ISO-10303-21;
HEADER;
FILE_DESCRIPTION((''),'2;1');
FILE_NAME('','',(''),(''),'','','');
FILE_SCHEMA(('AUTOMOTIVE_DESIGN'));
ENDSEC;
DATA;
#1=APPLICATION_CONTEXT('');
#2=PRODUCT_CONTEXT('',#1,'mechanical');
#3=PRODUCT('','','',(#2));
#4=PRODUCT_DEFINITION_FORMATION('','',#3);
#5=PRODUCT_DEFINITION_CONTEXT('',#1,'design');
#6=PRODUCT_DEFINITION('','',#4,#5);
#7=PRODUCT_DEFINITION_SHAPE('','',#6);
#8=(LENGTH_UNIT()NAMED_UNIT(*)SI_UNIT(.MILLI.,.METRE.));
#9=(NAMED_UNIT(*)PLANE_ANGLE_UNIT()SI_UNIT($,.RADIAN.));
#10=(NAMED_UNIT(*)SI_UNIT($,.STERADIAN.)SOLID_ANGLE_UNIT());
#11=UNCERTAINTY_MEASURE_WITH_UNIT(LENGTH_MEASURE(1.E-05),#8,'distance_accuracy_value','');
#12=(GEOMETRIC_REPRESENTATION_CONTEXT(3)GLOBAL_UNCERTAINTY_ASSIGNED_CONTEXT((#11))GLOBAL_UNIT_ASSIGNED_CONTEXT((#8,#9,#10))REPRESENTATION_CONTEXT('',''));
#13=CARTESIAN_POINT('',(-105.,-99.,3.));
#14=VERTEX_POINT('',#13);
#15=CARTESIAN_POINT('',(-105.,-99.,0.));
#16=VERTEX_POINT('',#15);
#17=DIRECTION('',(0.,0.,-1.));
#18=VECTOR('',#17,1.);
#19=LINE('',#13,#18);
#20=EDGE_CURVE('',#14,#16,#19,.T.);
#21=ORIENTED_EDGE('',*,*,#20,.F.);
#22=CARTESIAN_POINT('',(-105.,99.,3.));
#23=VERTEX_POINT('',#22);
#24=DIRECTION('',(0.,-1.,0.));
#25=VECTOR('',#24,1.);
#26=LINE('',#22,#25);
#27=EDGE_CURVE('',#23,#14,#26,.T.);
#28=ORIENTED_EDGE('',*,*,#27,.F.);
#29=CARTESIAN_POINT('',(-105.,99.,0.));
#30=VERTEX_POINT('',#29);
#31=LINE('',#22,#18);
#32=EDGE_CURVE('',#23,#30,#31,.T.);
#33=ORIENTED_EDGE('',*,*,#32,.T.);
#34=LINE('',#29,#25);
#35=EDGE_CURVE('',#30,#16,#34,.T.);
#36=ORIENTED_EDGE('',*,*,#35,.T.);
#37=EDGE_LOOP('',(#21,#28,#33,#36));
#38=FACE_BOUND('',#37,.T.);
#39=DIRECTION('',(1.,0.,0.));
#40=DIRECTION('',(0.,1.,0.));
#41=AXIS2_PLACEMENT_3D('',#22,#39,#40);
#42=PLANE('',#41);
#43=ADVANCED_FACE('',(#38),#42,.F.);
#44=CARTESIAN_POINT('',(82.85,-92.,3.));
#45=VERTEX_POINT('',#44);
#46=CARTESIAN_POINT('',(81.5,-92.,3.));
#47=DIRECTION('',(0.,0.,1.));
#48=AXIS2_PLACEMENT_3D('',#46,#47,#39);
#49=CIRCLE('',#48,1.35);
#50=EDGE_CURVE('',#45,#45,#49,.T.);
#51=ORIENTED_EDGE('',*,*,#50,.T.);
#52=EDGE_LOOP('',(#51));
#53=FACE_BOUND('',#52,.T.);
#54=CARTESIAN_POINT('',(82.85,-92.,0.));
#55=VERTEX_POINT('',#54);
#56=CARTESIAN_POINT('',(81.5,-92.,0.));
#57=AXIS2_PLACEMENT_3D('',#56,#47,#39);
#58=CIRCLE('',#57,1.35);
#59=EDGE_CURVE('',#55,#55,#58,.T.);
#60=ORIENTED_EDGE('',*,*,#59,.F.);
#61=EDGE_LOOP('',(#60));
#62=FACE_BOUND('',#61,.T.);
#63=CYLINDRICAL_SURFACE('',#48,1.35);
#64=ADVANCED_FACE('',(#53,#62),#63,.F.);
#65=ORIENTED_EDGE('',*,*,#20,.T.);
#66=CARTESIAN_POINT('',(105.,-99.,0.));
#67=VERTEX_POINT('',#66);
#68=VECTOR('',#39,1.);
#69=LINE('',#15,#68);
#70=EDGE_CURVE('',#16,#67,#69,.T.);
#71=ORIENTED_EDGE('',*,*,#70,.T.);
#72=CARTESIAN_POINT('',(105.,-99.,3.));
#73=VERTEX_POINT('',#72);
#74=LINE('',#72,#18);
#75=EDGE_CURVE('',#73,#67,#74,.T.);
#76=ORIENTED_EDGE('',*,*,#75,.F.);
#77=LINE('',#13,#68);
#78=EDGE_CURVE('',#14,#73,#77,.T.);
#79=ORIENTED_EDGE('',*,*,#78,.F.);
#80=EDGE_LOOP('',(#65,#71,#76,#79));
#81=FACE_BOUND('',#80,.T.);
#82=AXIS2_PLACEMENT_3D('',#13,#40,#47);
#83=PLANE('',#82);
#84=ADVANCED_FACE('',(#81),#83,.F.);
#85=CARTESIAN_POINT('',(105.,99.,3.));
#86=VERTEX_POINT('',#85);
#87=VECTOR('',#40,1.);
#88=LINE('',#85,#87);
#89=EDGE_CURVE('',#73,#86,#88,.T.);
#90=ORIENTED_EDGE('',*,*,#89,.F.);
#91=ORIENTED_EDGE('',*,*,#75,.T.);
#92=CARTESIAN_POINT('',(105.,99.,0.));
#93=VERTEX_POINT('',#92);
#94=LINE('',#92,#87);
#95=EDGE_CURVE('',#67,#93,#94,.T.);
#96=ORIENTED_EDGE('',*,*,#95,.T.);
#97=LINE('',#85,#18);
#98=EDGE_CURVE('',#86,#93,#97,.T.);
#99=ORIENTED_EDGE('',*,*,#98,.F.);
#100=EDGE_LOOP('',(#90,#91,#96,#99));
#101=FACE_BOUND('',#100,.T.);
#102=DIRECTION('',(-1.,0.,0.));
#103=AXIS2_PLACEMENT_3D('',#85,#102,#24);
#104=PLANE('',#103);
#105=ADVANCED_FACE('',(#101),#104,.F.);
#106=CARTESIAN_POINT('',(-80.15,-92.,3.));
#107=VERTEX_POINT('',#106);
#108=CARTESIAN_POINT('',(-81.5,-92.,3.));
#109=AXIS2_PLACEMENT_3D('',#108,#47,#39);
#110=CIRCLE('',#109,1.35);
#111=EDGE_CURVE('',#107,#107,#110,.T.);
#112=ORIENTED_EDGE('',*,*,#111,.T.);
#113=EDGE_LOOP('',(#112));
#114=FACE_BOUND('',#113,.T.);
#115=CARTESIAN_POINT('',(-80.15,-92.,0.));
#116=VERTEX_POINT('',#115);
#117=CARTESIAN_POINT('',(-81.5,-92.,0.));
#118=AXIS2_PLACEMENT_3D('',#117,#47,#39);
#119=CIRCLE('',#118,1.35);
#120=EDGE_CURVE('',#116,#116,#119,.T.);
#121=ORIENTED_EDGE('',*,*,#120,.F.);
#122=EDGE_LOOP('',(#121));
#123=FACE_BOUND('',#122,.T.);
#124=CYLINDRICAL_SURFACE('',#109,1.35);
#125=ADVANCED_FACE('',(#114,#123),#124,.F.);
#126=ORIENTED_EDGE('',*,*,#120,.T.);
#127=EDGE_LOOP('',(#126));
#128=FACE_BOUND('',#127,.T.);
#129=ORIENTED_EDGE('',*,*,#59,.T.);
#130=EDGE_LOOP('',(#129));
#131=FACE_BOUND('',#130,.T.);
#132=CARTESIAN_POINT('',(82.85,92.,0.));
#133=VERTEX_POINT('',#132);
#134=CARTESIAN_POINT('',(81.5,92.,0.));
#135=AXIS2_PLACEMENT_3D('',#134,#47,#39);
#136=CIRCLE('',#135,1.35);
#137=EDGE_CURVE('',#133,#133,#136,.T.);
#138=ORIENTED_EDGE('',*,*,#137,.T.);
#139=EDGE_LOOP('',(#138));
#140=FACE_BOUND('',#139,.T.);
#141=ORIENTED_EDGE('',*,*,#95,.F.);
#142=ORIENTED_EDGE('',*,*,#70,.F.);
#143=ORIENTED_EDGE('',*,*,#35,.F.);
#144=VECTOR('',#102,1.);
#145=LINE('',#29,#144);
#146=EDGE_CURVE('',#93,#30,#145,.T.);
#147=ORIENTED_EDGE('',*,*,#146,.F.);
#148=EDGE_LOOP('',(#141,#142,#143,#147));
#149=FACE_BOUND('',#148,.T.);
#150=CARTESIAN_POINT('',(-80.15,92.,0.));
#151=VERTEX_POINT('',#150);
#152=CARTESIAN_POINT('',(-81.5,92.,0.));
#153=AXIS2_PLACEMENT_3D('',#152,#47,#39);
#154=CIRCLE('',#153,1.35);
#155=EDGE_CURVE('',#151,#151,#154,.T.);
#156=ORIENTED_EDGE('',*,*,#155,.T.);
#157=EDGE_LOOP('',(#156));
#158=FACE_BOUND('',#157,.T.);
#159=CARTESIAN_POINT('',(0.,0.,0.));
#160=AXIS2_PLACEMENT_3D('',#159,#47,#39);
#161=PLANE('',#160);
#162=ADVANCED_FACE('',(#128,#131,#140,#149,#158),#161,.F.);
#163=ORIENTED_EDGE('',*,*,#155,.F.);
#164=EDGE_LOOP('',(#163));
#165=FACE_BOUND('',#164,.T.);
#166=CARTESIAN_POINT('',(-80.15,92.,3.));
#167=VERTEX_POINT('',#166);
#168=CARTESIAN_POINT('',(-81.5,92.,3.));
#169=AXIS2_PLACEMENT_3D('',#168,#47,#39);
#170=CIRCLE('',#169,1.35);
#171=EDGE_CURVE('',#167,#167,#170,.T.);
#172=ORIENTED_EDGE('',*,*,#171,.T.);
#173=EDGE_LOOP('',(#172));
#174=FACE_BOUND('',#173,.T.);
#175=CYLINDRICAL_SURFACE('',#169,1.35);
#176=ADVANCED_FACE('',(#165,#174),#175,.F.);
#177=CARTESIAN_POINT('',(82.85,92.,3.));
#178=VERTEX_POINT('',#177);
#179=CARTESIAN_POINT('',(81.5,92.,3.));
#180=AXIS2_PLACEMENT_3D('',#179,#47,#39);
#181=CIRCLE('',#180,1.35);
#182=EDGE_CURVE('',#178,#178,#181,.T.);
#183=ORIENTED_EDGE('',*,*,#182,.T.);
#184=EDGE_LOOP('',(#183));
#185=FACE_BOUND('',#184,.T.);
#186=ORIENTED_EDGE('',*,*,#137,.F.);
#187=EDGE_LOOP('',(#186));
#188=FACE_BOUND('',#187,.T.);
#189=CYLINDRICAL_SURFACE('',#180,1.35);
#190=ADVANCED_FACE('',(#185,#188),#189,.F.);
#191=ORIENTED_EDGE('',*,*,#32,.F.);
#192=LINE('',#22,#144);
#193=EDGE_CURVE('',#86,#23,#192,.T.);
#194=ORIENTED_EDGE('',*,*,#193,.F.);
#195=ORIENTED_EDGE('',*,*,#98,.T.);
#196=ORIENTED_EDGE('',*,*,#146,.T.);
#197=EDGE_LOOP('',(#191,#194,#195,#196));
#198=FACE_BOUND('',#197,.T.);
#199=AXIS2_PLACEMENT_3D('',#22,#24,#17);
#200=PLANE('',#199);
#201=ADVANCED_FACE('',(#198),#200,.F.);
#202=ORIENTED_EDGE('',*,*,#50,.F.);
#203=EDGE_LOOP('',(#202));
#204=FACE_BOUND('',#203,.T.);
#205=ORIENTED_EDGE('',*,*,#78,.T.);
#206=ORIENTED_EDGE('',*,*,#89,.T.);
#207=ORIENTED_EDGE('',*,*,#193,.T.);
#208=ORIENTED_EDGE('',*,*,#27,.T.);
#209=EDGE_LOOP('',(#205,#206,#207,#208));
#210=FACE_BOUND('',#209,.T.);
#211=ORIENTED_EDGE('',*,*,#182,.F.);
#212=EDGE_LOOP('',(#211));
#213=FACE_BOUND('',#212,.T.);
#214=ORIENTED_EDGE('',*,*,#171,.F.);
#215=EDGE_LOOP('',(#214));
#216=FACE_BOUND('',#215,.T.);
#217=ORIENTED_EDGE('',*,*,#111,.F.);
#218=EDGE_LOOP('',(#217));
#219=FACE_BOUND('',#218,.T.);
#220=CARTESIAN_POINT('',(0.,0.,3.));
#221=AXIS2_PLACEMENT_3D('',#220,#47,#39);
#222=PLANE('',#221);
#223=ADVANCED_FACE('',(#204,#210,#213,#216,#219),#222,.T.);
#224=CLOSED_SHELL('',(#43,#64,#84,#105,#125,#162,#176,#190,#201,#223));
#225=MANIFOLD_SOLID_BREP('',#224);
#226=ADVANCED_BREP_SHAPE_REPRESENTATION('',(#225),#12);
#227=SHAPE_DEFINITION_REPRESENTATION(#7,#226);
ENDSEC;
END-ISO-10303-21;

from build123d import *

# Parameters (mm, degrees)
ESQUISSE1_W            = 210
ESQUISSE1_H            = 198
BOSS_EXTRU_1_DEPTH     = 3
D_GAGEMENT_M2_51_D     = 2.7
D_GAGEMENT_M2_51_DEPTH = 3


with BuildPart() as part:
    # Esquisse1 → Boss.-Extru.1 (new body)
    with BuildSketch(Plane.XY):
        Rectangle(ESQUISSE1_W, ESQUISSE1_H)
    extrude(amount=BOSS_EXTRU_1_DEPTH)

    # Dégagement M2.51
    with Locations(Plane.XY.offset(3)):
        with Locations((-81.5, -92), (-81.5, 92), (81.5, 92), (81.5, -92)):
            Hole(D_GAGEMENT_M2_51_D / 2, depth=D_GAGEMENT_M2_51_DEPTH)


solid = part.part
